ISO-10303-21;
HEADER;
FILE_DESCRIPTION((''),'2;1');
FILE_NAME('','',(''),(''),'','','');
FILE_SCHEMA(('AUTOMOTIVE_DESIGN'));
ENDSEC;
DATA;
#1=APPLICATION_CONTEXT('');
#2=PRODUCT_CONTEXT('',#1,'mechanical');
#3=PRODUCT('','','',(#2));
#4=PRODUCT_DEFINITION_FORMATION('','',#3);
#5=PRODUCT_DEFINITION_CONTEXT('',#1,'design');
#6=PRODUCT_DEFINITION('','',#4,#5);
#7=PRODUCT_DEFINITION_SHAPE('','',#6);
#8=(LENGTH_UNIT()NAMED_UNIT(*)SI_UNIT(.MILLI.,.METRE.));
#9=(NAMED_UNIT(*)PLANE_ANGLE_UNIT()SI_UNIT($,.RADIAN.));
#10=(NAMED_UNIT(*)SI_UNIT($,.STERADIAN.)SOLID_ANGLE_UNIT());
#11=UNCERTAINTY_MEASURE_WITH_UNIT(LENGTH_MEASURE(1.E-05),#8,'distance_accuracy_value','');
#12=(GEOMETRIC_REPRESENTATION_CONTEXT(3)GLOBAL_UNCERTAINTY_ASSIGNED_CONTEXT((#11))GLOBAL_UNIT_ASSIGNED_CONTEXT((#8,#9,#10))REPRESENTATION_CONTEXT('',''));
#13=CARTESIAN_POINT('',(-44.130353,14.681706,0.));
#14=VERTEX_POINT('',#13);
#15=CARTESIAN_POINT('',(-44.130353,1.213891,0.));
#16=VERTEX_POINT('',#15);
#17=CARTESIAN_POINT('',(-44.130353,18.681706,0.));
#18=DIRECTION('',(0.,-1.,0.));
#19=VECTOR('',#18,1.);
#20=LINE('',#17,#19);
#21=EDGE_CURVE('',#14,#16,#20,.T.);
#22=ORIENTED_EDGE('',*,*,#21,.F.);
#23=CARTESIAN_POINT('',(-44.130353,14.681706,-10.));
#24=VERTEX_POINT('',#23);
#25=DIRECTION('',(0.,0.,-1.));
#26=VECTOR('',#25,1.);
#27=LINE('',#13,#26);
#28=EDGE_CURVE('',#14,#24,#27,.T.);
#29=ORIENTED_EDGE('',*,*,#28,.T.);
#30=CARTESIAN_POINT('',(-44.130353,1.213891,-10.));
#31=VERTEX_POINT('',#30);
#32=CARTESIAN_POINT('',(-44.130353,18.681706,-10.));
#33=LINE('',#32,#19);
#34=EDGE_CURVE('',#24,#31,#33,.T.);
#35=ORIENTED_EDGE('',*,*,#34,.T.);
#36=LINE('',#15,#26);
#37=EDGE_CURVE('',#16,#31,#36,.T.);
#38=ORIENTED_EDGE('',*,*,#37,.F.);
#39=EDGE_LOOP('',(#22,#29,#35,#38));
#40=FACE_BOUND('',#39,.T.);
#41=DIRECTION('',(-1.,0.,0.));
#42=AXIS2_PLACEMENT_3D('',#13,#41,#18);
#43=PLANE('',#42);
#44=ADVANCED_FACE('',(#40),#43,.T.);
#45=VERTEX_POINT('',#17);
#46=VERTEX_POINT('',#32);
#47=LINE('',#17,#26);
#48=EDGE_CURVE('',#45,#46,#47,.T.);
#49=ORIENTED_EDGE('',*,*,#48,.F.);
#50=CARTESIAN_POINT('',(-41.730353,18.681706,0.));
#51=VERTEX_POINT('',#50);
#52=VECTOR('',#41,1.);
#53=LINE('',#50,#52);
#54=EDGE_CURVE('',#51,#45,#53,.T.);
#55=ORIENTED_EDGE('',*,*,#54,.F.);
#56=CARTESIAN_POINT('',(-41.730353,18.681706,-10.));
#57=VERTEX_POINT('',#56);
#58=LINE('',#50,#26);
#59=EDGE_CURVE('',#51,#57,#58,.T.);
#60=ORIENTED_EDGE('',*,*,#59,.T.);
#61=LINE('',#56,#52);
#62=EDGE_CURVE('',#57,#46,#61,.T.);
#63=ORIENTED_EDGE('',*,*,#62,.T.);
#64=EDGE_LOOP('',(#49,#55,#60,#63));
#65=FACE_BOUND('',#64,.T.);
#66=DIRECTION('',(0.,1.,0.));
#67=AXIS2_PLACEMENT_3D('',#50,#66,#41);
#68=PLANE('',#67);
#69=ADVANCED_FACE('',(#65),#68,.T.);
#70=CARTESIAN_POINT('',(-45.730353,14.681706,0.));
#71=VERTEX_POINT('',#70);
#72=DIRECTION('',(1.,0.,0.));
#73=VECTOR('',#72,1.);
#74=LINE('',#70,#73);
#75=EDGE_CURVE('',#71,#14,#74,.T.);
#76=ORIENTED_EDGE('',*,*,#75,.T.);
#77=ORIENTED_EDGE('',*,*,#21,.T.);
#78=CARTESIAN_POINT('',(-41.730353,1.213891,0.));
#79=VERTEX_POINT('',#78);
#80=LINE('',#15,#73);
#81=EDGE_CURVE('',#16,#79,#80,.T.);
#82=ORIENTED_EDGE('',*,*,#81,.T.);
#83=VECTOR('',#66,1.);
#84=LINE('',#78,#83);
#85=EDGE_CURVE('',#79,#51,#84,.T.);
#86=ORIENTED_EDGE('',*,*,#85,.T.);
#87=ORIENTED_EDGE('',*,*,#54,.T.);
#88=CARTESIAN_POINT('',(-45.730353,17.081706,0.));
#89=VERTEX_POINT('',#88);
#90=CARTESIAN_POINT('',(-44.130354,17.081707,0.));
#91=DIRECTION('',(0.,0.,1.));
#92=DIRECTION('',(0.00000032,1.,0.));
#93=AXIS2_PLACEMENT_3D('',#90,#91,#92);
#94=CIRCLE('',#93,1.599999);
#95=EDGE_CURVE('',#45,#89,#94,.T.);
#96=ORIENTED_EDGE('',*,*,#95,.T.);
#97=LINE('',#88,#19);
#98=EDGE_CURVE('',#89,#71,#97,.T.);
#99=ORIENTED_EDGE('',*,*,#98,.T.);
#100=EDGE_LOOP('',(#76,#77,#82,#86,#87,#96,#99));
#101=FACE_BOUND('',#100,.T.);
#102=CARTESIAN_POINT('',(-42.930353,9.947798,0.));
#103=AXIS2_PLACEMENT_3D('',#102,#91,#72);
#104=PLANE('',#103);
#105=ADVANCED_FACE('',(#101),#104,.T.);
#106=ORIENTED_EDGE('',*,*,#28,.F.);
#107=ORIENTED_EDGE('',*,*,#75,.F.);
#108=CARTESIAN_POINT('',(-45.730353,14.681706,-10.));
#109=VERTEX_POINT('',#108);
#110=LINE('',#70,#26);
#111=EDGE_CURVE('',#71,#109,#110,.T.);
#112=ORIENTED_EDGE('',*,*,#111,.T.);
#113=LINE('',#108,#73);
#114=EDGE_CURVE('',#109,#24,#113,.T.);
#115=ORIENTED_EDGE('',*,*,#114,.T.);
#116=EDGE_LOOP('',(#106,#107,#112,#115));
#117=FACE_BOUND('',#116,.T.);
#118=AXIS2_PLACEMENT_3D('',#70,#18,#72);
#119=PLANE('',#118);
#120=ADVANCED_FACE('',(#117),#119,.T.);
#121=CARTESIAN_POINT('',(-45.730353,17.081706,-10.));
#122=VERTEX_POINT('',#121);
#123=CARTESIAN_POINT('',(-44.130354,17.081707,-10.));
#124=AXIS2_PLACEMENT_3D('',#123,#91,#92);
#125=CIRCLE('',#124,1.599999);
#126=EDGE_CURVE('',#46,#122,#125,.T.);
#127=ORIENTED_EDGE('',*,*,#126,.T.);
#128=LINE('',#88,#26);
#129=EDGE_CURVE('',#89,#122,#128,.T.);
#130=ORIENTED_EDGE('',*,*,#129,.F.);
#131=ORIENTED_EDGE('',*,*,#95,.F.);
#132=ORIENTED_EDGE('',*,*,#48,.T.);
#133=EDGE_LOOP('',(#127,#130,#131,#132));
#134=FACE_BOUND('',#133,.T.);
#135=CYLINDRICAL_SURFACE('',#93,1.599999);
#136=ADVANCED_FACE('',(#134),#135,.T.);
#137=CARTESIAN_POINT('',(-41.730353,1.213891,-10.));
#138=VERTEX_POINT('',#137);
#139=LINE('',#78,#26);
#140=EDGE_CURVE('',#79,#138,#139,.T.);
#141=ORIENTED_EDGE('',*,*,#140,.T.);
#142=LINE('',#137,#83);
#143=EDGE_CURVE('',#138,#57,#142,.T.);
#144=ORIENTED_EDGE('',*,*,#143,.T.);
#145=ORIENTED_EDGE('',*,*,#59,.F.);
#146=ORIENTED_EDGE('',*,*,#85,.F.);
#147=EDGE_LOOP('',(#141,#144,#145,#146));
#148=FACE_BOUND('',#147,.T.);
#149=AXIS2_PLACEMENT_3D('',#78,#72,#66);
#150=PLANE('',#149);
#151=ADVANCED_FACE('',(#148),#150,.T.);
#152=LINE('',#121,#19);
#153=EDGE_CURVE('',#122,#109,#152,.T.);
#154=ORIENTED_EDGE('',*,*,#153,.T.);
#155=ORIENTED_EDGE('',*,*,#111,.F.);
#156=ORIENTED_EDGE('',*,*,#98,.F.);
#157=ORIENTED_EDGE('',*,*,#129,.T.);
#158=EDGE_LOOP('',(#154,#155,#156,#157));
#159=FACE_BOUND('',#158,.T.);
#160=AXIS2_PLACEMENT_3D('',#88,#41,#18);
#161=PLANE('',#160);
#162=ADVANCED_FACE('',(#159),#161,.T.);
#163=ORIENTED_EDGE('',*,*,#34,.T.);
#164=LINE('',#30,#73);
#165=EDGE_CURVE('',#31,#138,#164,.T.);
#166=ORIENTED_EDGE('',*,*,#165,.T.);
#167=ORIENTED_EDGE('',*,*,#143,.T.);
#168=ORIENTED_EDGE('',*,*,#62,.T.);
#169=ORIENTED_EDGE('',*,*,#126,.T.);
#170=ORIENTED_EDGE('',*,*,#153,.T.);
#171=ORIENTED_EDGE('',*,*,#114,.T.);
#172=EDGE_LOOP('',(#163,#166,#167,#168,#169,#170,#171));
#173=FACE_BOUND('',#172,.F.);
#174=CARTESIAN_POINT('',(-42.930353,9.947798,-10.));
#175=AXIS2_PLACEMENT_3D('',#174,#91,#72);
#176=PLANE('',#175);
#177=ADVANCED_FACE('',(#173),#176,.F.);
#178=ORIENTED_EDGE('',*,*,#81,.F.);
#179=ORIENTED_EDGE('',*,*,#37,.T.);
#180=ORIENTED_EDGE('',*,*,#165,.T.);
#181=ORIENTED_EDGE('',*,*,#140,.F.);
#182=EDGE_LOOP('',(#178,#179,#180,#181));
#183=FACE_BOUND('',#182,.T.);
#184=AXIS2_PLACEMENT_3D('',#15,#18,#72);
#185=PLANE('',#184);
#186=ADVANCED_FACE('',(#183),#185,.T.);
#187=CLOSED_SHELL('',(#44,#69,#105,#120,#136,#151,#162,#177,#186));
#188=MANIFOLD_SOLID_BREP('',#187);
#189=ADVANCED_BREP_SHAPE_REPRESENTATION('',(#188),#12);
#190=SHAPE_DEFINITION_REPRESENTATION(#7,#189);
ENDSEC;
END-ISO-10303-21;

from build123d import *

# Parameters (mm, degrees)
F1_DEPTH = 10


with BuildPart() as f1:
    # F0 (on Top) → F1 (new body)
    with BuildSketch(Plane.XY):
        Polygon((-44.130353, 14.681706), (-44.130353, 1.213891), (-41.730353, 1.213891), (-41.730353, 18.681706), (-44.130353, 18.681706), align=None)
        with BuildLine():
            Line((-45.730353, 14.681706), (-44.130353, 14.681706))
            Line((-44.130353, 14.681706), (-44.130353, 18.681706))
            ThreePointArc((-44.130353, 18.681706), (-45.261724, 18.213077), (-45.730353, 17.081706))
            Line((-45.730353, 17.081706), (-45.730353, 14.681706))
        make_face()
    extrude(amount=-F1_DEPTH)


solid = f1.part
